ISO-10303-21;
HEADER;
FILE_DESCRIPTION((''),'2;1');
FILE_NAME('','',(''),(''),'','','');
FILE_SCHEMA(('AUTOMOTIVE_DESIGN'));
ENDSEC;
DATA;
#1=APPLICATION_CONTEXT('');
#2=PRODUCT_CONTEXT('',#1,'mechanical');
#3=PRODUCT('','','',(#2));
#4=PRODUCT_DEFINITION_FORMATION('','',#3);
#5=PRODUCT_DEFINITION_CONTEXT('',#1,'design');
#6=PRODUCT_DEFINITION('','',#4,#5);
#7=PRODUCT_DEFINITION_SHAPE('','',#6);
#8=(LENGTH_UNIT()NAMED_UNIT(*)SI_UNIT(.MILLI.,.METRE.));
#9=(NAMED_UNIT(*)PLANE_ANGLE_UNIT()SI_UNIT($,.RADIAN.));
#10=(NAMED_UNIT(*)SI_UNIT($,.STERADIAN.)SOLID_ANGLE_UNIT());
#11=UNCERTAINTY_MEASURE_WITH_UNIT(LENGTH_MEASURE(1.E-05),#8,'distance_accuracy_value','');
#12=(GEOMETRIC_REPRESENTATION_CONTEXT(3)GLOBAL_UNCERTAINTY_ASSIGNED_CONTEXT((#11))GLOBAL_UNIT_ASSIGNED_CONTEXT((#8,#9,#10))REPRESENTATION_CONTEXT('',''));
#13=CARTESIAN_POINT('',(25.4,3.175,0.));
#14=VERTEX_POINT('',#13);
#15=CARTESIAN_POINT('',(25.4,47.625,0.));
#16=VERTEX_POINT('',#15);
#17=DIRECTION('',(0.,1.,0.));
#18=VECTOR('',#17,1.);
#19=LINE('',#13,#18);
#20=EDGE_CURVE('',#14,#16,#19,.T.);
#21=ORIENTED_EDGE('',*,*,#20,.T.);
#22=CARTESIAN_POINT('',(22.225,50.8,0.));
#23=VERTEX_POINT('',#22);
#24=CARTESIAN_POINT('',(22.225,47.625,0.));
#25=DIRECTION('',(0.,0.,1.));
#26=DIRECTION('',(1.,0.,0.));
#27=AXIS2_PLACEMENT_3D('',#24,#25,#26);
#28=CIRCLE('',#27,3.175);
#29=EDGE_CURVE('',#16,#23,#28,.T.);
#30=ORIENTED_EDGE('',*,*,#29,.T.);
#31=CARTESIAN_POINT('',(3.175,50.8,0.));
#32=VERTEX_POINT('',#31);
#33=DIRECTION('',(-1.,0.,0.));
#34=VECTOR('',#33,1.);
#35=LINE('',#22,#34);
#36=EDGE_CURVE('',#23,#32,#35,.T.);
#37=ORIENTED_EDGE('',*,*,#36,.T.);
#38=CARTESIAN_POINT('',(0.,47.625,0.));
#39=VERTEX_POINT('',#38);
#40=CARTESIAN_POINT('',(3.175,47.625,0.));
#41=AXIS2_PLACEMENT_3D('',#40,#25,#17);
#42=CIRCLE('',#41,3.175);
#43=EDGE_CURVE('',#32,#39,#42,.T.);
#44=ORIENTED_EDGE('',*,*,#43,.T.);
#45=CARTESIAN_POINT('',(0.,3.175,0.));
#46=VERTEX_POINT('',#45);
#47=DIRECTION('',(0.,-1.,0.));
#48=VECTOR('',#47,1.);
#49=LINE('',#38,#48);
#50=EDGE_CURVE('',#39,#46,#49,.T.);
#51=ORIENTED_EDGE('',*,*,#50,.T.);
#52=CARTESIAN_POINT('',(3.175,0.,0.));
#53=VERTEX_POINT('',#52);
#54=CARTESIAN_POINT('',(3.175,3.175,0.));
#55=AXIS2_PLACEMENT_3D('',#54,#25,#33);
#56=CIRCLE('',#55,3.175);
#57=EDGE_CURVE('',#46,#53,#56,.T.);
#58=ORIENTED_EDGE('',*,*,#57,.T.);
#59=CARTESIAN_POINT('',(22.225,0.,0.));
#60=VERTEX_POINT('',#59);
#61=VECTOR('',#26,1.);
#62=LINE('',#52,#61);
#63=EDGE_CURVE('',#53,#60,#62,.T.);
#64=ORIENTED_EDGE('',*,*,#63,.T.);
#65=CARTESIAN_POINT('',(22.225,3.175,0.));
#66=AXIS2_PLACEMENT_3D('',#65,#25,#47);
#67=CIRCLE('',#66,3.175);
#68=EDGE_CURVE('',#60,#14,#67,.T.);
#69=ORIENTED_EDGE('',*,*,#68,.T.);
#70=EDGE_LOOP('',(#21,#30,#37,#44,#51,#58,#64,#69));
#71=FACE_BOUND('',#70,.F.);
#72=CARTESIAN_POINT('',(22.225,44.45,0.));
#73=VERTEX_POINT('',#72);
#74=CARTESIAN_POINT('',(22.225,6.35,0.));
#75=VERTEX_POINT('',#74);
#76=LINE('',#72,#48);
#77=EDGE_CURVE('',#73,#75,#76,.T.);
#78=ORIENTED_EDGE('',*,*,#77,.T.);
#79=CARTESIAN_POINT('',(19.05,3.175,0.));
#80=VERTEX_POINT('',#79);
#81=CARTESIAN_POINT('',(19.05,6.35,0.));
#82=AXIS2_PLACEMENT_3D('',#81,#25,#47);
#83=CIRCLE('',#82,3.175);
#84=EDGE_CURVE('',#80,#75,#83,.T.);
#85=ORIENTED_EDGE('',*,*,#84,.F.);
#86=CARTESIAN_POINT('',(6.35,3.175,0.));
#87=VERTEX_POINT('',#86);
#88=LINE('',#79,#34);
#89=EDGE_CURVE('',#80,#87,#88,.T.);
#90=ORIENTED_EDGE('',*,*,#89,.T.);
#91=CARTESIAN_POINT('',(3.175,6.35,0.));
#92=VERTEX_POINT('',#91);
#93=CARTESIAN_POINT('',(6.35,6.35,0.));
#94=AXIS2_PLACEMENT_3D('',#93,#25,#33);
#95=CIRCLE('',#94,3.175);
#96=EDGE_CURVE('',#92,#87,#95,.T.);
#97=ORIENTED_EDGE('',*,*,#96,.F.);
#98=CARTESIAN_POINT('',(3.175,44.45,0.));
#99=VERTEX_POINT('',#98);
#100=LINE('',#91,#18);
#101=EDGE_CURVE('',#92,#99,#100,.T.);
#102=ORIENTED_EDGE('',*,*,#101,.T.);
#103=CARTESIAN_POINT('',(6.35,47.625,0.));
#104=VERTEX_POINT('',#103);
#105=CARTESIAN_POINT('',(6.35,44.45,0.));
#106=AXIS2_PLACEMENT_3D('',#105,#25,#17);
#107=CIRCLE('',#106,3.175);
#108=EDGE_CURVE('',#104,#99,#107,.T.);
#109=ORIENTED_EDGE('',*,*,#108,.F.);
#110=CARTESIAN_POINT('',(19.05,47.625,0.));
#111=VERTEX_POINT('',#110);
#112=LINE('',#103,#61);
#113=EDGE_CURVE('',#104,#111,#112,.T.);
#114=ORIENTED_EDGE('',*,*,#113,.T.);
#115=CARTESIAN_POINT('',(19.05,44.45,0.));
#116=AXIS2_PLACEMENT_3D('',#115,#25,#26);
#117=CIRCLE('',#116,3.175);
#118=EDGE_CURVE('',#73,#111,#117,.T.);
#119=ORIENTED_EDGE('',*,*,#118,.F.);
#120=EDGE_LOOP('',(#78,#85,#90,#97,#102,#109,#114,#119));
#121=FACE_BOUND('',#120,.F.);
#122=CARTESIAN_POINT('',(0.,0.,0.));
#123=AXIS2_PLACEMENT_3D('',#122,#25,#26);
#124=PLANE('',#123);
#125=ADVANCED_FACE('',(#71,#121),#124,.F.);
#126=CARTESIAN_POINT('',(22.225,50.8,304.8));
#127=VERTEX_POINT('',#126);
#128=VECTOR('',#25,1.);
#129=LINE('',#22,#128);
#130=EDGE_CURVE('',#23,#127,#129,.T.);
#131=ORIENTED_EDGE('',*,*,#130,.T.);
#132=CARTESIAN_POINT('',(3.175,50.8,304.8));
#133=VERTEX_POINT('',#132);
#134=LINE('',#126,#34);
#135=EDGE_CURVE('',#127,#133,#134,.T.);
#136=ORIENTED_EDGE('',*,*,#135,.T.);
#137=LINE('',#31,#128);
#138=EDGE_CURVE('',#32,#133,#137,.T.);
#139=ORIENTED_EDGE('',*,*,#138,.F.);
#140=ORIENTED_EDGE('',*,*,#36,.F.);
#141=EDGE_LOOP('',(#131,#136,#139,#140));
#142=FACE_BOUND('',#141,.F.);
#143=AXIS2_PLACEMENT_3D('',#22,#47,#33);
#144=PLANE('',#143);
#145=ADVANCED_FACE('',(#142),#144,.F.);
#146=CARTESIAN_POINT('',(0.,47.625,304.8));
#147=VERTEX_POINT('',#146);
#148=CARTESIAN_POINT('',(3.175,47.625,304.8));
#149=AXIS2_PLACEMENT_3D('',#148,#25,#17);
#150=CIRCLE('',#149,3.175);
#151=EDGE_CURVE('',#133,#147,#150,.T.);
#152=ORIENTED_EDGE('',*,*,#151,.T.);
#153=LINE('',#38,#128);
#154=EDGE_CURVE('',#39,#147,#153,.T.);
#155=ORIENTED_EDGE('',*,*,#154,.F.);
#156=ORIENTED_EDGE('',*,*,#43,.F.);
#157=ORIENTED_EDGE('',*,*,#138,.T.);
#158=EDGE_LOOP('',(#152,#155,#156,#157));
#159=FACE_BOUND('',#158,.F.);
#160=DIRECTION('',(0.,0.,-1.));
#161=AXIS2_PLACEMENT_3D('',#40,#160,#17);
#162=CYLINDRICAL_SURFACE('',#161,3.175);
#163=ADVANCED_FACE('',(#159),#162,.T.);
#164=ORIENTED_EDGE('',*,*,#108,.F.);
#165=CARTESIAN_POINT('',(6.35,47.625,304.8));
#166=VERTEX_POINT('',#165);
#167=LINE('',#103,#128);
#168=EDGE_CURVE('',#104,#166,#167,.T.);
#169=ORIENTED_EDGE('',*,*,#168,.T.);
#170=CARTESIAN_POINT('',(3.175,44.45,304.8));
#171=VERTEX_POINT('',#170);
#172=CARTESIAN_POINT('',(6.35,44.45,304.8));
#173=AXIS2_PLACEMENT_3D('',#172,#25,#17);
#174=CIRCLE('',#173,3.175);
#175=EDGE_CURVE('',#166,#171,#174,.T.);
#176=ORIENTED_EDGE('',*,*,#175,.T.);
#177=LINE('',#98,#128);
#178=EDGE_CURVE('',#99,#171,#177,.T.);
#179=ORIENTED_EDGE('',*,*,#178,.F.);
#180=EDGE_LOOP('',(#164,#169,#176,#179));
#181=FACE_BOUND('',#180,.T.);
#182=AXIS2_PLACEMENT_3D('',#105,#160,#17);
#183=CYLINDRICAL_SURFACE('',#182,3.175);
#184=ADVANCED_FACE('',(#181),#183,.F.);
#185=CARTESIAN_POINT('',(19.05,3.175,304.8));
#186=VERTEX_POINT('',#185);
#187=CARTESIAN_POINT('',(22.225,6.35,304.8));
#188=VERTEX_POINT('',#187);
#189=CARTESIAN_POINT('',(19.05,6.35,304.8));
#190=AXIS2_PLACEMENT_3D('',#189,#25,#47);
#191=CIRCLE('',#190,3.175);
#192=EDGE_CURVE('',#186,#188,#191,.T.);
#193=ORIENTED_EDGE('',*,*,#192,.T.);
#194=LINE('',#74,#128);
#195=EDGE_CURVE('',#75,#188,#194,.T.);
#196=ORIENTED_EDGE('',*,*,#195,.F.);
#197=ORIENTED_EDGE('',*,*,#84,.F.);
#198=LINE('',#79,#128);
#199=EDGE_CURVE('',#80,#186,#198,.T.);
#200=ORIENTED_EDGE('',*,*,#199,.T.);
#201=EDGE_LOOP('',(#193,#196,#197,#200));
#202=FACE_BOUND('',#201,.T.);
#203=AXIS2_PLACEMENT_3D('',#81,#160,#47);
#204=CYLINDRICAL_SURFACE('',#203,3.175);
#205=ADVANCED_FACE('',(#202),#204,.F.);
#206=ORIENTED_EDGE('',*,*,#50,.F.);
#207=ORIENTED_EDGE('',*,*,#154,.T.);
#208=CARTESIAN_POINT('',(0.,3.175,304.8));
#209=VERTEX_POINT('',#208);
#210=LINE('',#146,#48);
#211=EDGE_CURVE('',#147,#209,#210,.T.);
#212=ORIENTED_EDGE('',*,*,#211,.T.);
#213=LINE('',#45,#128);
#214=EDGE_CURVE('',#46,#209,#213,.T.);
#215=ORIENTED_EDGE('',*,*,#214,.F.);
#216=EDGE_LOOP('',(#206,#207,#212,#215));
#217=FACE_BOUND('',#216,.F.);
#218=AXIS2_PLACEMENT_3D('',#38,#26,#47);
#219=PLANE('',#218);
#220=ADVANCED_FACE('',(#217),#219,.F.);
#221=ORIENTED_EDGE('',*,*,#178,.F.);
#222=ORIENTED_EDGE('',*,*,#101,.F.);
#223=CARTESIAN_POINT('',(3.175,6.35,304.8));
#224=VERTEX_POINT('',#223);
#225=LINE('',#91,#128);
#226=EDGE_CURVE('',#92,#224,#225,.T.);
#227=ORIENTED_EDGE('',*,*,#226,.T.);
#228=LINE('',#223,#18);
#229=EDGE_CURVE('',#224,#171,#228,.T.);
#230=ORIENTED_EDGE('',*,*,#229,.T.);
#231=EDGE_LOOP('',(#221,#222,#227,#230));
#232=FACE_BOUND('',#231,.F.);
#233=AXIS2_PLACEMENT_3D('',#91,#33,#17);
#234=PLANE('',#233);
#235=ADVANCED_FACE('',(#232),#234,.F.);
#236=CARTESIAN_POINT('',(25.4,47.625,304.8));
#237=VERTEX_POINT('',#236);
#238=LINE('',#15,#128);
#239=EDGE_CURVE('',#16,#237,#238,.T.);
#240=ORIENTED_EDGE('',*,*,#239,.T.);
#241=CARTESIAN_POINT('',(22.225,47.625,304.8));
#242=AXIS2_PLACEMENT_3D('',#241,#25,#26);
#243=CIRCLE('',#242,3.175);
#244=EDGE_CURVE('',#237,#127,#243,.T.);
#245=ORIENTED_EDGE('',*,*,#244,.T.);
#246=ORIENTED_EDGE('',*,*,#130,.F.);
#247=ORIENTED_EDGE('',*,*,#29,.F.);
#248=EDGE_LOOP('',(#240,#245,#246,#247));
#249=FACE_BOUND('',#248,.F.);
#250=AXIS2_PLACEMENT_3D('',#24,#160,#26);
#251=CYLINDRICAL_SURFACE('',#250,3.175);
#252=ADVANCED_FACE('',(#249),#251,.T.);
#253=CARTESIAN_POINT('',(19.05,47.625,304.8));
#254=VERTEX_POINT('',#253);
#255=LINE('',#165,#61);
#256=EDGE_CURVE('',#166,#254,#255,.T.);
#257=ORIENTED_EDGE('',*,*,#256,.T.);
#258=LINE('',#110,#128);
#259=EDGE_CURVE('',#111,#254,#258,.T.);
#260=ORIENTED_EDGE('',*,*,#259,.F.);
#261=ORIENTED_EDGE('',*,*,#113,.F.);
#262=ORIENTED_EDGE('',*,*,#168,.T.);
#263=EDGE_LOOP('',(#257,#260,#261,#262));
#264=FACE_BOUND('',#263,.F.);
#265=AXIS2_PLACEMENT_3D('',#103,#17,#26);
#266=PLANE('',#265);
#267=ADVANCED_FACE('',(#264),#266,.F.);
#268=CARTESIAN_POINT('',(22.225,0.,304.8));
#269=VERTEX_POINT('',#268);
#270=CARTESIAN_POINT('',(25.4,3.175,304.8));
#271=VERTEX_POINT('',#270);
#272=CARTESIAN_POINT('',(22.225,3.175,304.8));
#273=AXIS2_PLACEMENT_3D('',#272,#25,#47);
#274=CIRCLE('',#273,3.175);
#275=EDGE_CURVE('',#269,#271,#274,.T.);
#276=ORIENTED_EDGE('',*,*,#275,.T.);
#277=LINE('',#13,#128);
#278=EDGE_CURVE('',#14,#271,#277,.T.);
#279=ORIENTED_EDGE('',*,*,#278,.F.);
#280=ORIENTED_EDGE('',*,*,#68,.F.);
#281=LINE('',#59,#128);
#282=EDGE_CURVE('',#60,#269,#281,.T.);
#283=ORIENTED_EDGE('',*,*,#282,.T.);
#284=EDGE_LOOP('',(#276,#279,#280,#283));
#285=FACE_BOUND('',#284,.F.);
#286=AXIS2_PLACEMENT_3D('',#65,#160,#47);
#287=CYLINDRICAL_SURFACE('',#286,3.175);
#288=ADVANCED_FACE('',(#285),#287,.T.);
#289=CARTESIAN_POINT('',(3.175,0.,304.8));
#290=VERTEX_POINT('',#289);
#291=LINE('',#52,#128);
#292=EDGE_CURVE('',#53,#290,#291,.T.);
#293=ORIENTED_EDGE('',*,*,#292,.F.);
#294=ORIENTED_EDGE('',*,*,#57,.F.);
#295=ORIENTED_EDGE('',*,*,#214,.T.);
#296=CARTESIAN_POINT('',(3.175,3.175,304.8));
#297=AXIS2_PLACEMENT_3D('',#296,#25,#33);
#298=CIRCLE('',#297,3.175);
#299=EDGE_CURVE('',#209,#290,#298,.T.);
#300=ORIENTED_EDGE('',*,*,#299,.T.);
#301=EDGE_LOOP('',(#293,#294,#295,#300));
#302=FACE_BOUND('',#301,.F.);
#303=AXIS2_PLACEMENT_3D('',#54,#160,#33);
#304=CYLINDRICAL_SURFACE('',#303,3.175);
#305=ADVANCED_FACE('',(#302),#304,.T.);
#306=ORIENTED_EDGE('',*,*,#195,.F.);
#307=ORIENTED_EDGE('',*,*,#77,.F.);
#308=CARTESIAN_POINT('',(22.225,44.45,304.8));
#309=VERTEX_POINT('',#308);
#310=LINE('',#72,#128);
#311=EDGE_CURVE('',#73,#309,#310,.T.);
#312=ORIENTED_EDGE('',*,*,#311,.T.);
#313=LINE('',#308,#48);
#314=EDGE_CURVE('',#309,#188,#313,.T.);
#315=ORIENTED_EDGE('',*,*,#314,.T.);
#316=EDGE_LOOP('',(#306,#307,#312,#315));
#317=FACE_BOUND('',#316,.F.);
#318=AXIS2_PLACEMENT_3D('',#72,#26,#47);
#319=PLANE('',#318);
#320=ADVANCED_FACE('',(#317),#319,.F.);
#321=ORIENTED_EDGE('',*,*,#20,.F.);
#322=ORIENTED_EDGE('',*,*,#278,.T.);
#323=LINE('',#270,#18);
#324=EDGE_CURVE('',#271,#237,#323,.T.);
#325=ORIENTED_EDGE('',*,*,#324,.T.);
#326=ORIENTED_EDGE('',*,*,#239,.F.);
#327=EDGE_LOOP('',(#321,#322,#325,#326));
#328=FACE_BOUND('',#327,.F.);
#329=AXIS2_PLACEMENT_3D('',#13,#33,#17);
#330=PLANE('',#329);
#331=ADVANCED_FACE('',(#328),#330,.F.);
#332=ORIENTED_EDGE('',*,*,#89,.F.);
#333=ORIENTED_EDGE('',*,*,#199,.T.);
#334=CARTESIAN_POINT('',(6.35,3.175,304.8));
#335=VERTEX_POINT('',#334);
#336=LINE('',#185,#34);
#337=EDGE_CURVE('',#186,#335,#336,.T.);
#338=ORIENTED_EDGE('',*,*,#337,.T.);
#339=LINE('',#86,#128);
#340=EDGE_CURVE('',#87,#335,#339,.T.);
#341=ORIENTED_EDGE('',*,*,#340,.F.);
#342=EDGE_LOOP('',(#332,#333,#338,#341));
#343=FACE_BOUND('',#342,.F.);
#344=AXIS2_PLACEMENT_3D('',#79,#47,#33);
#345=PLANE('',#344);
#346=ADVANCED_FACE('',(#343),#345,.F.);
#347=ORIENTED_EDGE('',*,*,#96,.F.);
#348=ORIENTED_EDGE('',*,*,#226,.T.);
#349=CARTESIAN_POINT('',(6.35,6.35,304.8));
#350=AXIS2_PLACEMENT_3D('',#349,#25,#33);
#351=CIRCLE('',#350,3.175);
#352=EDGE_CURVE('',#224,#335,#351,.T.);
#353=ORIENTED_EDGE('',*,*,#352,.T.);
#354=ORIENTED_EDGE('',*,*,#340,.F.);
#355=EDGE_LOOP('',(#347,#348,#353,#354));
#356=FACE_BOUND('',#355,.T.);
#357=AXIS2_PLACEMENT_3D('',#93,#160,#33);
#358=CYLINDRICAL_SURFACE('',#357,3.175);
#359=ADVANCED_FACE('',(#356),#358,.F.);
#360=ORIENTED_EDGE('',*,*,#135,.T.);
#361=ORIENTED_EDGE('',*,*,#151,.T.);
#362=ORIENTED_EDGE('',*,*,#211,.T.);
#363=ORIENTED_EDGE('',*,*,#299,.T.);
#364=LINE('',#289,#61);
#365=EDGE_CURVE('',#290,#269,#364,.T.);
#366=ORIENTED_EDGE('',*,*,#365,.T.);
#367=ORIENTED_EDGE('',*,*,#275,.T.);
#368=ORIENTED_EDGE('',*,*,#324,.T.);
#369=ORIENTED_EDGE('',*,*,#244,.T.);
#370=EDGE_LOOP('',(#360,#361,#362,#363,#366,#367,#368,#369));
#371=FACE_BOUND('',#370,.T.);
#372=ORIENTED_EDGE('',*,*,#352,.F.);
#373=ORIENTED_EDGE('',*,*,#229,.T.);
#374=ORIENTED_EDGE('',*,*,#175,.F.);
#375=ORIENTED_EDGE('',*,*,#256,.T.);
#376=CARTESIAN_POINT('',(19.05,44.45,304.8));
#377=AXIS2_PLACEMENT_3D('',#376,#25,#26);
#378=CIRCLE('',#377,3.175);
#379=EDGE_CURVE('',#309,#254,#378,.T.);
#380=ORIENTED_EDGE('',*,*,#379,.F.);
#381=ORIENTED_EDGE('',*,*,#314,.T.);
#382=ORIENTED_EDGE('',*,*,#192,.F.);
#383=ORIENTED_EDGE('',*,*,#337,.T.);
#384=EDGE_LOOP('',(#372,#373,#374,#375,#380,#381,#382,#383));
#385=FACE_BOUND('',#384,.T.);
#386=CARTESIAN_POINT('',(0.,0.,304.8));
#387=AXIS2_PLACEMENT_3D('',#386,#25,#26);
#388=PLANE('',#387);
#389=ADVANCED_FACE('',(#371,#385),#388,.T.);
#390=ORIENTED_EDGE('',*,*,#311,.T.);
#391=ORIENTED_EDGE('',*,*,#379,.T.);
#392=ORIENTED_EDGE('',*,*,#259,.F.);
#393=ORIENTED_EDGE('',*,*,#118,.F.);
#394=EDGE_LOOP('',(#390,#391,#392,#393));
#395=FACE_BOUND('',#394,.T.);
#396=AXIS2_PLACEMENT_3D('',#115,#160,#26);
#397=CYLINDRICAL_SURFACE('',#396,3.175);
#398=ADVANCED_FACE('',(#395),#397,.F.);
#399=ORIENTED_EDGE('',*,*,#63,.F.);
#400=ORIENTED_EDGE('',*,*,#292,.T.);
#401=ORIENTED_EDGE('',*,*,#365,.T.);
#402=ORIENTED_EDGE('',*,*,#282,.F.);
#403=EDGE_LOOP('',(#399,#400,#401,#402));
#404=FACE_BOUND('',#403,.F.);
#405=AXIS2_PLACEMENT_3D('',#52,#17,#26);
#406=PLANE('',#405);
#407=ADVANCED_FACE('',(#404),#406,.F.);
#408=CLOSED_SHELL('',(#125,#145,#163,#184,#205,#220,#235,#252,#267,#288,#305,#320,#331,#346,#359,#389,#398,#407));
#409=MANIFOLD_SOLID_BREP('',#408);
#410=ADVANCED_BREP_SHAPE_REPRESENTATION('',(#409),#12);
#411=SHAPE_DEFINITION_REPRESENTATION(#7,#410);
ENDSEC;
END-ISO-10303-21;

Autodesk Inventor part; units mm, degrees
ref_plane "YZ Plane" through (0, 0, 0) normal (1, 0, 0) x (0, 1, 0)
ref_plane "XZ Plane" through (0, 0, 0) normal (0, 1, 0) x (-1, 0, 0)
ref_plane "XY Plane" through (0, 0, 0) normal (0, 0, 1) x (1, 0, 0)
sketch "Sketch1" plane through (0, 0, 0) normal (0, 0, 1) x (1, 0, 0)
  line L0 (3.175, 0) -> (22.225, 0)
  line L1 (25.4, 3.175) -> (25.4, 47.625)
  line L2 (22.225, 50.8) -> (3.175, 50.8)
  line L3 (0, 47.625) -> (0, 3.175)
  arc A0 (3.175, 50.8) -> (0, 47.625) centre (3.175, 47.625) ccw
  arc A1 (25.4, 47.625) -> (22.225, 50.8) centre (22.225, 47.625) ccw
  arc A2 (22.225, 0) -> (25.4, 3.175) centre (22.225, 3.175) ccw
  arc A3 (0, 3.175) -> (3.175, 0) centre (3.175, 3.175) ccw
  line L4 (6.35, 47.625) -> (19.05, 47.625)
  line L5 (22.225, 44.45) -> (22.225, 6.35)
  line L6 (19.05, 3.175) -> (6.35, 3.175)
  line L7 (3.175, 6.35) -> (3.175, 44.45)
  arc A4 (6.35, 47.625) -> (3.175, 44.45) centre (6.35, 44.45) ccw
  arc A5 (22.225, 44.45) -> (19.05, 47.625) centre (19.05, 44.45) ccw
  arc A6 (3.175, 6.35) -> (6.35, 3.175) centre (6.35, 6.35) ccw
  arc A7 (19.05, 3.175) -> (22.225, 6.35) centre (19.05, 6.35) ccw
  point P0 (0, 0)
  point P1 (25.4, 0)
  point P2 (0, 50.8)
  dimension "d0" = 50.8
  dimension "d1" = 25.4
  dimension "d2" = 3.175
  dimension "d3" = 3.175
  dimension "d4" = 3.175
  dimension "d5" = 3.175
  dimension "d6" = 3.175
  dimension "d7" = 3.175
  dimension "d8" = 3.175
  dimension "d9" = 3.175
  dimension "d10" = 3.175
extrude "Extrusion1" add sketch "Sketch1" along normal blind 304.8
properties part number "O channel 12 inch"
